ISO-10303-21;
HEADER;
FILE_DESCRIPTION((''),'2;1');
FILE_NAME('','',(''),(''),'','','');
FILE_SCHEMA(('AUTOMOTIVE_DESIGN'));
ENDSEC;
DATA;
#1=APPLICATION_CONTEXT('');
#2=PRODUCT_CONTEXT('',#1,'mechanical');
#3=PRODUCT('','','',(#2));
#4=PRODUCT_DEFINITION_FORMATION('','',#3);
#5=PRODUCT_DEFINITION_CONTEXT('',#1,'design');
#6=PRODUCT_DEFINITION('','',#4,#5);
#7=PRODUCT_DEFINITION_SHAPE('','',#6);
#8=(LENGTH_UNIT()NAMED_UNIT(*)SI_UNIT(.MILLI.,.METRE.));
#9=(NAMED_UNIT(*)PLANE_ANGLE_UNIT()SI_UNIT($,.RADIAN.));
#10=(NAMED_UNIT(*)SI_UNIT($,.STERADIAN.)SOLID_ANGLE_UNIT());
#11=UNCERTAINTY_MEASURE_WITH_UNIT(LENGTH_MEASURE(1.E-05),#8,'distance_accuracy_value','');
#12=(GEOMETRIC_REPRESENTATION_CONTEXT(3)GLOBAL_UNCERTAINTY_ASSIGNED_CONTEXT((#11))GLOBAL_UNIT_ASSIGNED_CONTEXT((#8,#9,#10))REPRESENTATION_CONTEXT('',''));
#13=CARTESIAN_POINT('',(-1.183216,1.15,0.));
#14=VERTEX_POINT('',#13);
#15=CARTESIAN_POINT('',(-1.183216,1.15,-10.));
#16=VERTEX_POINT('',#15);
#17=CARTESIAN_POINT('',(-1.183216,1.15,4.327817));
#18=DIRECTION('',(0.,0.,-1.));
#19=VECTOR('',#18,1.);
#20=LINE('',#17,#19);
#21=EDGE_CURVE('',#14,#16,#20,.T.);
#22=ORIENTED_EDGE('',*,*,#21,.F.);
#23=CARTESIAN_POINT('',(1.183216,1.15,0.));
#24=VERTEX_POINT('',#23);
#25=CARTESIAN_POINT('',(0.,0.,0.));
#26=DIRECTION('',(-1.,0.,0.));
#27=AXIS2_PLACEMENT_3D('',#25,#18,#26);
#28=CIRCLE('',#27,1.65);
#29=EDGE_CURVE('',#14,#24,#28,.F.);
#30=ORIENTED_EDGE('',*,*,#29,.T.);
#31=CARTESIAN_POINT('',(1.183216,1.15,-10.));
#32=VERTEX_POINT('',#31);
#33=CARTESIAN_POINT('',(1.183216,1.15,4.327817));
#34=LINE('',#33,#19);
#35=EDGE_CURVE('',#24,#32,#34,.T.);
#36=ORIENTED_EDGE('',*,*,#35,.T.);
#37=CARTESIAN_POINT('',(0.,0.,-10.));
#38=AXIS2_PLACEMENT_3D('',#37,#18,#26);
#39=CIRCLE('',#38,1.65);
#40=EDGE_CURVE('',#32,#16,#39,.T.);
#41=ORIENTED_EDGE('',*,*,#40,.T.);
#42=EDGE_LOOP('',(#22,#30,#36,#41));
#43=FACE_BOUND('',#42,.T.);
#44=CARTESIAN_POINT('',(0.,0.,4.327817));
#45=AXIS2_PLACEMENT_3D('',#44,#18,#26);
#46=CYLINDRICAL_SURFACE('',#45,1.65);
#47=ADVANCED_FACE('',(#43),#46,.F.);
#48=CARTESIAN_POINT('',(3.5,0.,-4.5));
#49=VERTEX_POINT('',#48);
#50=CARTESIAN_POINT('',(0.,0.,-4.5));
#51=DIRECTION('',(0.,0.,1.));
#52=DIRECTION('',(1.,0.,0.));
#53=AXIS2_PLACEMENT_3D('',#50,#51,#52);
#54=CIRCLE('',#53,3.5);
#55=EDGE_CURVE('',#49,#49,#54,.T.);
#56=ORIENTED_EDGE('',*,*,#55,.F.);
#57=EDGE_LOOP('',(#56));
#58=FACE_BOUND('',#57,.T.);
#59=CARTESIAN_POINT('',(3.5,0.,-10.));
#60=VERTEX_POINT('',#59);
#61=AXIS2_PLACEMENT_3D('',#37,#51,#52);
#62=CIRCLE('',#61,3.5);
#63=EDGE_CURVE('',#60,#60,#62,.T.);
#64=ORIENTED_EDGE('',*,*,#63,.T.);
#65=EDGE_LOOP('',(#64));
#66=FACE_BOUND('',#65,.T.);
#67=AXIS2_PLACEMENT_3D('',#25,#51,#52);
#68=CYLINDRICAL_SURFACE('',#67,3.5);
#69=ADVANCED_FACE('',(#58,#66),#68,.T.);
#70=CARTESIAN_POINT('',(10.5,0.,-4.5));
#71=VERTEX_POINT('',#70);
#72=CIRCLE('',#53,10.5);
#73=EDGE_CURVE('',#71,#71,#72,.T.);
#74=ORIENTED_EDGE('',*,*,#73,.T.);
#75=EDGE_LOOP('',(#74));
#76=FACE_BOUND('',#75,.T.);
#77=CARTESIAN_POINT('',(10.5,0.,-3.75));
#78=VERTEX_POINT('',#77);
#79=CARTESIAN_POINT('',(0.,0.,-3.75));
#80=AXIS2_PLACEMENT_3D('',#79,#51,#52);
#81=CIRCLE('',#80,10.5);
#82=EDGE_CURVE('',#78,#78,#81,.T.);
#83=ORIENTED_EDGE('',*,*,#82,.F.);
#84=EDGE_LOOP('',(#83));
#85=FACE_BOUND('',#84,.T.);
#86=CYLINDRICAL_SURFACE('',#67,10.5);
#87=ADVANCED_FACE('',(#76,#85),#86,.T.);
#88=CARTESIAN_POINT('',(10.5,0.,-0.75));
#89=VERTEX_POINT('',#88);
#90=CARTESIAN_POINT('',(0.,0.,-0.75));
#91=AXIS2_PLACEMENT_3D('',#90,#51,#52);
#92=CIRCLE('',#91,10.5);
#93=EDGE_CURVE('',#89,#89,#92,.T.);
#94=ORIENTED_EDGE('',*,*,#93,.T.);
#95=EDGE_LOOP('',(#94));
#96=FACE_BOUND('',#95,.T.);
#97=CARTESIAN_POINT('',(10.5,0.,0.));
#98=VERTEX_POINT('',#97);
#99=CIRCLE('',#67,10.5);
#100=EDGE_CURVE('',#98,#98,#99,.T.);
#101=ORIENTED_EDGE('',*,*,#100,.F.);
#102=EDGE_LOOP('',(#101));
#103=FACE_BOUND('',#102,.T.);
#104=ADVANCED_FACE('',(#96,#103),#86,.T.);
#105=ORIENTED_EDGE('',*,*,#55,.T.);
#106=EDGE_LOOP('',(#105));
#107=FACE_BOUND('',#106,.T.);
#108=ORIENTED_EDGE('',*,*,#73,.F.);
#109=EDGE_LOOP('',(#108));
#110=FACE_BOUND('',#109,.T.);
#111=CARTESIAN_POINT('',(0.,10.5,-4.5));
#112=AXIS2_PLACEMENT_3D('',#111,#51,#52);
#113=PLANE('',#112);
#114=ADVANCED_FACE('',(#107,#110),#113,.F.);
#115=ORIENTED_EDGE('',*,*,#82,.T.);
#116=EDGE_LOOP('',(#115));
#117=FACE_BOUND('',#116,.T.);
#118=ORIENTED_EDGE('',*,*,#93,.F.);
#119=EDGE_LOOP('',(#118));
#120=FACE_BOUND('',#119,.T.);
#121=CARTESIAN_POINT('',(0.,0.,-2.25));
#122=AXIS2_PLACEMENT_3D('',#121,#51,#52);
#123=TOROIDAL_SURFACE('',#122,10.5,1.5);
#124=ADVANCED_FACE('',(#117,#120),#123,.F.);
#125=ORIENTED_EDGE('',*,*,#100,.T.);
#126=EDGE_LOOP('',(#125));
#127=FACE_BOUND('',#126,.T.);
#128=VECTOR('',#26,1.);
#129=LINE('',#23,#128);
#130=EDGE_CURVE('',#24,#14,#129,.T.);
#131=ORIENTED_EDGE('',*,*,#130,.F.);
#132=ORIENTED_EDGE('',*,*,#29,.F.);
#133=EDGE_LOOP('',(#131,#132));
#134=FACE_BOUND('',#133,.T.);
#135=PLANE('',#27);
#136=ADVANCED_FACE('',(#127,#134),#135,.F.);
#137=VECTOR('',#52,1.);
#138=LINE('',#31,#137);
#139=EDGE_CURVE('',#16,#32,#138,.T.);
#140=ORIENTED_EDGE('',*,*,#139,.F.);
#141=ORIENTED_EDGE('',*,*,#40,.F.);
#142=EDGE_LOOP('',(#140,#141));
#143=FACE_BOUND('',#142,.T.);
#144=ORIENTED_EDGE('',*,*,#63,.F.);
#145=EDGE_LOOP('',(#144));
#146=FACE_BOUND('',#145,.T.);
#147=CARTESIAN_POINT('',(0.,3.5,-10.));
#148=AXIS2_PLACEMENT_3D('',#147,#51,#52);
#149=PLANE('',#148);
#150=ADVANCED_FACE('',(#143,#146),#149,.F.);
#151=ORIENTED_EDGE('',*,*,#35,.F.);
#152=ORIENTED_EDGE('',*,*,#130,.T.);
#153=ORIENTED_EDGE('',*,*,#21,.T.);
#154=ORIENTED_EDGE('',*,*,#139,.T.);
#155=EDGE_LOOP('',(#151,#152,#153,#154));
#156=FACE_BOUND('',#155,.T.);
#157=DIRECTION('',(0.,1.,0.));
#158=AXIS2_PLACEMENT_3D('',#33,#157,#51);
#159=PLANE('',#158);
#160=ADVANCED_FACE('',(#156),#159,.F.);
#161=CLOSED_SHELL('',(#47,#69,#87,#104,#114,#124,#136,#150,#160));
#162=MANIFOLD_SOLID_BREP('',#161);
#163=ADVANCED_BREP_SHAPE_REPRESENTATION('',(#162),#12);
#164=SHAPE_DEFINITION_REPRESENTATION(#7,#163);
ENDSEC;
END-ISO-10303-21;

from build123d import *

# Parameters (mm, degrees)
CORTAR_EXTRUIR1_DEPTH = 11
CORTAR_EXTRUIR2_DEPTH = 10


with BuildPart() as part:
    # Croquis1 → Revolución1 (revolve)
    with BuildSketch(Plane(origin=(0, 0, 0), x_dir=(0, 0, -1), z_dir=(1, 0, 0))):
        with BuildLine():
            Line((0, 0), (0, 10.5))
            Line((0, 10.5), (0.75, 10.5))
            ThreePointArc((0.75, 10.5), (2.25, 9), (3.75, 10.5))
            Line((3.75, 10.5), (4.5, 10.5))
            Line((4.5, 10.5), (4.5, 3.5))
            Line((4.5, 3.5), (10, 3.5))
            Line((10, 3.5), (10, 0))
            Line((10, 0), (0, 0))
        make_face()
    revolve(axis=Axis((0, 0, 0), (0, 0, -1)))

    # Croquis2 → Cortar-Extruir1 (cut, through all)
    with BuildSketch(Plane(origin=(0, 0, -10), x_dir=(-1, 0, 0), z_dir=(0, 0, -1))):
        with BuildLine():
            Line((-1.161895004, 1.1), (1.161895004, 1.1))
            ThreePointArc((1.161895004, 1.1), (0, -1.6), (-1.161895004, 1.1))
        make_face()
    extrude(amount=-CORTAR_EXTRUIR1_DEPTH, mode=Mode.SUBTRACT)

    # Croquis3 → Cortar-Extruir2 (cut)
    with BuildSketch(Plane(origin=(0, 0, -10), x_dir=(-1, 0, 0), z_dir=(0, 0, -1))):
        with BuildLine():
            Line((-1.183215957, 1.15), (1.183215957, 1.15))
            ThreePointArc((1.183215957, 1.15), (0, -1.65), (-1.183215957, 1.15))
        make_face()
    extrude(amount=-CORTAR_EXTRUIR2_DEPTH, mode=Mode.SUBTRACT)


solid = part.part
